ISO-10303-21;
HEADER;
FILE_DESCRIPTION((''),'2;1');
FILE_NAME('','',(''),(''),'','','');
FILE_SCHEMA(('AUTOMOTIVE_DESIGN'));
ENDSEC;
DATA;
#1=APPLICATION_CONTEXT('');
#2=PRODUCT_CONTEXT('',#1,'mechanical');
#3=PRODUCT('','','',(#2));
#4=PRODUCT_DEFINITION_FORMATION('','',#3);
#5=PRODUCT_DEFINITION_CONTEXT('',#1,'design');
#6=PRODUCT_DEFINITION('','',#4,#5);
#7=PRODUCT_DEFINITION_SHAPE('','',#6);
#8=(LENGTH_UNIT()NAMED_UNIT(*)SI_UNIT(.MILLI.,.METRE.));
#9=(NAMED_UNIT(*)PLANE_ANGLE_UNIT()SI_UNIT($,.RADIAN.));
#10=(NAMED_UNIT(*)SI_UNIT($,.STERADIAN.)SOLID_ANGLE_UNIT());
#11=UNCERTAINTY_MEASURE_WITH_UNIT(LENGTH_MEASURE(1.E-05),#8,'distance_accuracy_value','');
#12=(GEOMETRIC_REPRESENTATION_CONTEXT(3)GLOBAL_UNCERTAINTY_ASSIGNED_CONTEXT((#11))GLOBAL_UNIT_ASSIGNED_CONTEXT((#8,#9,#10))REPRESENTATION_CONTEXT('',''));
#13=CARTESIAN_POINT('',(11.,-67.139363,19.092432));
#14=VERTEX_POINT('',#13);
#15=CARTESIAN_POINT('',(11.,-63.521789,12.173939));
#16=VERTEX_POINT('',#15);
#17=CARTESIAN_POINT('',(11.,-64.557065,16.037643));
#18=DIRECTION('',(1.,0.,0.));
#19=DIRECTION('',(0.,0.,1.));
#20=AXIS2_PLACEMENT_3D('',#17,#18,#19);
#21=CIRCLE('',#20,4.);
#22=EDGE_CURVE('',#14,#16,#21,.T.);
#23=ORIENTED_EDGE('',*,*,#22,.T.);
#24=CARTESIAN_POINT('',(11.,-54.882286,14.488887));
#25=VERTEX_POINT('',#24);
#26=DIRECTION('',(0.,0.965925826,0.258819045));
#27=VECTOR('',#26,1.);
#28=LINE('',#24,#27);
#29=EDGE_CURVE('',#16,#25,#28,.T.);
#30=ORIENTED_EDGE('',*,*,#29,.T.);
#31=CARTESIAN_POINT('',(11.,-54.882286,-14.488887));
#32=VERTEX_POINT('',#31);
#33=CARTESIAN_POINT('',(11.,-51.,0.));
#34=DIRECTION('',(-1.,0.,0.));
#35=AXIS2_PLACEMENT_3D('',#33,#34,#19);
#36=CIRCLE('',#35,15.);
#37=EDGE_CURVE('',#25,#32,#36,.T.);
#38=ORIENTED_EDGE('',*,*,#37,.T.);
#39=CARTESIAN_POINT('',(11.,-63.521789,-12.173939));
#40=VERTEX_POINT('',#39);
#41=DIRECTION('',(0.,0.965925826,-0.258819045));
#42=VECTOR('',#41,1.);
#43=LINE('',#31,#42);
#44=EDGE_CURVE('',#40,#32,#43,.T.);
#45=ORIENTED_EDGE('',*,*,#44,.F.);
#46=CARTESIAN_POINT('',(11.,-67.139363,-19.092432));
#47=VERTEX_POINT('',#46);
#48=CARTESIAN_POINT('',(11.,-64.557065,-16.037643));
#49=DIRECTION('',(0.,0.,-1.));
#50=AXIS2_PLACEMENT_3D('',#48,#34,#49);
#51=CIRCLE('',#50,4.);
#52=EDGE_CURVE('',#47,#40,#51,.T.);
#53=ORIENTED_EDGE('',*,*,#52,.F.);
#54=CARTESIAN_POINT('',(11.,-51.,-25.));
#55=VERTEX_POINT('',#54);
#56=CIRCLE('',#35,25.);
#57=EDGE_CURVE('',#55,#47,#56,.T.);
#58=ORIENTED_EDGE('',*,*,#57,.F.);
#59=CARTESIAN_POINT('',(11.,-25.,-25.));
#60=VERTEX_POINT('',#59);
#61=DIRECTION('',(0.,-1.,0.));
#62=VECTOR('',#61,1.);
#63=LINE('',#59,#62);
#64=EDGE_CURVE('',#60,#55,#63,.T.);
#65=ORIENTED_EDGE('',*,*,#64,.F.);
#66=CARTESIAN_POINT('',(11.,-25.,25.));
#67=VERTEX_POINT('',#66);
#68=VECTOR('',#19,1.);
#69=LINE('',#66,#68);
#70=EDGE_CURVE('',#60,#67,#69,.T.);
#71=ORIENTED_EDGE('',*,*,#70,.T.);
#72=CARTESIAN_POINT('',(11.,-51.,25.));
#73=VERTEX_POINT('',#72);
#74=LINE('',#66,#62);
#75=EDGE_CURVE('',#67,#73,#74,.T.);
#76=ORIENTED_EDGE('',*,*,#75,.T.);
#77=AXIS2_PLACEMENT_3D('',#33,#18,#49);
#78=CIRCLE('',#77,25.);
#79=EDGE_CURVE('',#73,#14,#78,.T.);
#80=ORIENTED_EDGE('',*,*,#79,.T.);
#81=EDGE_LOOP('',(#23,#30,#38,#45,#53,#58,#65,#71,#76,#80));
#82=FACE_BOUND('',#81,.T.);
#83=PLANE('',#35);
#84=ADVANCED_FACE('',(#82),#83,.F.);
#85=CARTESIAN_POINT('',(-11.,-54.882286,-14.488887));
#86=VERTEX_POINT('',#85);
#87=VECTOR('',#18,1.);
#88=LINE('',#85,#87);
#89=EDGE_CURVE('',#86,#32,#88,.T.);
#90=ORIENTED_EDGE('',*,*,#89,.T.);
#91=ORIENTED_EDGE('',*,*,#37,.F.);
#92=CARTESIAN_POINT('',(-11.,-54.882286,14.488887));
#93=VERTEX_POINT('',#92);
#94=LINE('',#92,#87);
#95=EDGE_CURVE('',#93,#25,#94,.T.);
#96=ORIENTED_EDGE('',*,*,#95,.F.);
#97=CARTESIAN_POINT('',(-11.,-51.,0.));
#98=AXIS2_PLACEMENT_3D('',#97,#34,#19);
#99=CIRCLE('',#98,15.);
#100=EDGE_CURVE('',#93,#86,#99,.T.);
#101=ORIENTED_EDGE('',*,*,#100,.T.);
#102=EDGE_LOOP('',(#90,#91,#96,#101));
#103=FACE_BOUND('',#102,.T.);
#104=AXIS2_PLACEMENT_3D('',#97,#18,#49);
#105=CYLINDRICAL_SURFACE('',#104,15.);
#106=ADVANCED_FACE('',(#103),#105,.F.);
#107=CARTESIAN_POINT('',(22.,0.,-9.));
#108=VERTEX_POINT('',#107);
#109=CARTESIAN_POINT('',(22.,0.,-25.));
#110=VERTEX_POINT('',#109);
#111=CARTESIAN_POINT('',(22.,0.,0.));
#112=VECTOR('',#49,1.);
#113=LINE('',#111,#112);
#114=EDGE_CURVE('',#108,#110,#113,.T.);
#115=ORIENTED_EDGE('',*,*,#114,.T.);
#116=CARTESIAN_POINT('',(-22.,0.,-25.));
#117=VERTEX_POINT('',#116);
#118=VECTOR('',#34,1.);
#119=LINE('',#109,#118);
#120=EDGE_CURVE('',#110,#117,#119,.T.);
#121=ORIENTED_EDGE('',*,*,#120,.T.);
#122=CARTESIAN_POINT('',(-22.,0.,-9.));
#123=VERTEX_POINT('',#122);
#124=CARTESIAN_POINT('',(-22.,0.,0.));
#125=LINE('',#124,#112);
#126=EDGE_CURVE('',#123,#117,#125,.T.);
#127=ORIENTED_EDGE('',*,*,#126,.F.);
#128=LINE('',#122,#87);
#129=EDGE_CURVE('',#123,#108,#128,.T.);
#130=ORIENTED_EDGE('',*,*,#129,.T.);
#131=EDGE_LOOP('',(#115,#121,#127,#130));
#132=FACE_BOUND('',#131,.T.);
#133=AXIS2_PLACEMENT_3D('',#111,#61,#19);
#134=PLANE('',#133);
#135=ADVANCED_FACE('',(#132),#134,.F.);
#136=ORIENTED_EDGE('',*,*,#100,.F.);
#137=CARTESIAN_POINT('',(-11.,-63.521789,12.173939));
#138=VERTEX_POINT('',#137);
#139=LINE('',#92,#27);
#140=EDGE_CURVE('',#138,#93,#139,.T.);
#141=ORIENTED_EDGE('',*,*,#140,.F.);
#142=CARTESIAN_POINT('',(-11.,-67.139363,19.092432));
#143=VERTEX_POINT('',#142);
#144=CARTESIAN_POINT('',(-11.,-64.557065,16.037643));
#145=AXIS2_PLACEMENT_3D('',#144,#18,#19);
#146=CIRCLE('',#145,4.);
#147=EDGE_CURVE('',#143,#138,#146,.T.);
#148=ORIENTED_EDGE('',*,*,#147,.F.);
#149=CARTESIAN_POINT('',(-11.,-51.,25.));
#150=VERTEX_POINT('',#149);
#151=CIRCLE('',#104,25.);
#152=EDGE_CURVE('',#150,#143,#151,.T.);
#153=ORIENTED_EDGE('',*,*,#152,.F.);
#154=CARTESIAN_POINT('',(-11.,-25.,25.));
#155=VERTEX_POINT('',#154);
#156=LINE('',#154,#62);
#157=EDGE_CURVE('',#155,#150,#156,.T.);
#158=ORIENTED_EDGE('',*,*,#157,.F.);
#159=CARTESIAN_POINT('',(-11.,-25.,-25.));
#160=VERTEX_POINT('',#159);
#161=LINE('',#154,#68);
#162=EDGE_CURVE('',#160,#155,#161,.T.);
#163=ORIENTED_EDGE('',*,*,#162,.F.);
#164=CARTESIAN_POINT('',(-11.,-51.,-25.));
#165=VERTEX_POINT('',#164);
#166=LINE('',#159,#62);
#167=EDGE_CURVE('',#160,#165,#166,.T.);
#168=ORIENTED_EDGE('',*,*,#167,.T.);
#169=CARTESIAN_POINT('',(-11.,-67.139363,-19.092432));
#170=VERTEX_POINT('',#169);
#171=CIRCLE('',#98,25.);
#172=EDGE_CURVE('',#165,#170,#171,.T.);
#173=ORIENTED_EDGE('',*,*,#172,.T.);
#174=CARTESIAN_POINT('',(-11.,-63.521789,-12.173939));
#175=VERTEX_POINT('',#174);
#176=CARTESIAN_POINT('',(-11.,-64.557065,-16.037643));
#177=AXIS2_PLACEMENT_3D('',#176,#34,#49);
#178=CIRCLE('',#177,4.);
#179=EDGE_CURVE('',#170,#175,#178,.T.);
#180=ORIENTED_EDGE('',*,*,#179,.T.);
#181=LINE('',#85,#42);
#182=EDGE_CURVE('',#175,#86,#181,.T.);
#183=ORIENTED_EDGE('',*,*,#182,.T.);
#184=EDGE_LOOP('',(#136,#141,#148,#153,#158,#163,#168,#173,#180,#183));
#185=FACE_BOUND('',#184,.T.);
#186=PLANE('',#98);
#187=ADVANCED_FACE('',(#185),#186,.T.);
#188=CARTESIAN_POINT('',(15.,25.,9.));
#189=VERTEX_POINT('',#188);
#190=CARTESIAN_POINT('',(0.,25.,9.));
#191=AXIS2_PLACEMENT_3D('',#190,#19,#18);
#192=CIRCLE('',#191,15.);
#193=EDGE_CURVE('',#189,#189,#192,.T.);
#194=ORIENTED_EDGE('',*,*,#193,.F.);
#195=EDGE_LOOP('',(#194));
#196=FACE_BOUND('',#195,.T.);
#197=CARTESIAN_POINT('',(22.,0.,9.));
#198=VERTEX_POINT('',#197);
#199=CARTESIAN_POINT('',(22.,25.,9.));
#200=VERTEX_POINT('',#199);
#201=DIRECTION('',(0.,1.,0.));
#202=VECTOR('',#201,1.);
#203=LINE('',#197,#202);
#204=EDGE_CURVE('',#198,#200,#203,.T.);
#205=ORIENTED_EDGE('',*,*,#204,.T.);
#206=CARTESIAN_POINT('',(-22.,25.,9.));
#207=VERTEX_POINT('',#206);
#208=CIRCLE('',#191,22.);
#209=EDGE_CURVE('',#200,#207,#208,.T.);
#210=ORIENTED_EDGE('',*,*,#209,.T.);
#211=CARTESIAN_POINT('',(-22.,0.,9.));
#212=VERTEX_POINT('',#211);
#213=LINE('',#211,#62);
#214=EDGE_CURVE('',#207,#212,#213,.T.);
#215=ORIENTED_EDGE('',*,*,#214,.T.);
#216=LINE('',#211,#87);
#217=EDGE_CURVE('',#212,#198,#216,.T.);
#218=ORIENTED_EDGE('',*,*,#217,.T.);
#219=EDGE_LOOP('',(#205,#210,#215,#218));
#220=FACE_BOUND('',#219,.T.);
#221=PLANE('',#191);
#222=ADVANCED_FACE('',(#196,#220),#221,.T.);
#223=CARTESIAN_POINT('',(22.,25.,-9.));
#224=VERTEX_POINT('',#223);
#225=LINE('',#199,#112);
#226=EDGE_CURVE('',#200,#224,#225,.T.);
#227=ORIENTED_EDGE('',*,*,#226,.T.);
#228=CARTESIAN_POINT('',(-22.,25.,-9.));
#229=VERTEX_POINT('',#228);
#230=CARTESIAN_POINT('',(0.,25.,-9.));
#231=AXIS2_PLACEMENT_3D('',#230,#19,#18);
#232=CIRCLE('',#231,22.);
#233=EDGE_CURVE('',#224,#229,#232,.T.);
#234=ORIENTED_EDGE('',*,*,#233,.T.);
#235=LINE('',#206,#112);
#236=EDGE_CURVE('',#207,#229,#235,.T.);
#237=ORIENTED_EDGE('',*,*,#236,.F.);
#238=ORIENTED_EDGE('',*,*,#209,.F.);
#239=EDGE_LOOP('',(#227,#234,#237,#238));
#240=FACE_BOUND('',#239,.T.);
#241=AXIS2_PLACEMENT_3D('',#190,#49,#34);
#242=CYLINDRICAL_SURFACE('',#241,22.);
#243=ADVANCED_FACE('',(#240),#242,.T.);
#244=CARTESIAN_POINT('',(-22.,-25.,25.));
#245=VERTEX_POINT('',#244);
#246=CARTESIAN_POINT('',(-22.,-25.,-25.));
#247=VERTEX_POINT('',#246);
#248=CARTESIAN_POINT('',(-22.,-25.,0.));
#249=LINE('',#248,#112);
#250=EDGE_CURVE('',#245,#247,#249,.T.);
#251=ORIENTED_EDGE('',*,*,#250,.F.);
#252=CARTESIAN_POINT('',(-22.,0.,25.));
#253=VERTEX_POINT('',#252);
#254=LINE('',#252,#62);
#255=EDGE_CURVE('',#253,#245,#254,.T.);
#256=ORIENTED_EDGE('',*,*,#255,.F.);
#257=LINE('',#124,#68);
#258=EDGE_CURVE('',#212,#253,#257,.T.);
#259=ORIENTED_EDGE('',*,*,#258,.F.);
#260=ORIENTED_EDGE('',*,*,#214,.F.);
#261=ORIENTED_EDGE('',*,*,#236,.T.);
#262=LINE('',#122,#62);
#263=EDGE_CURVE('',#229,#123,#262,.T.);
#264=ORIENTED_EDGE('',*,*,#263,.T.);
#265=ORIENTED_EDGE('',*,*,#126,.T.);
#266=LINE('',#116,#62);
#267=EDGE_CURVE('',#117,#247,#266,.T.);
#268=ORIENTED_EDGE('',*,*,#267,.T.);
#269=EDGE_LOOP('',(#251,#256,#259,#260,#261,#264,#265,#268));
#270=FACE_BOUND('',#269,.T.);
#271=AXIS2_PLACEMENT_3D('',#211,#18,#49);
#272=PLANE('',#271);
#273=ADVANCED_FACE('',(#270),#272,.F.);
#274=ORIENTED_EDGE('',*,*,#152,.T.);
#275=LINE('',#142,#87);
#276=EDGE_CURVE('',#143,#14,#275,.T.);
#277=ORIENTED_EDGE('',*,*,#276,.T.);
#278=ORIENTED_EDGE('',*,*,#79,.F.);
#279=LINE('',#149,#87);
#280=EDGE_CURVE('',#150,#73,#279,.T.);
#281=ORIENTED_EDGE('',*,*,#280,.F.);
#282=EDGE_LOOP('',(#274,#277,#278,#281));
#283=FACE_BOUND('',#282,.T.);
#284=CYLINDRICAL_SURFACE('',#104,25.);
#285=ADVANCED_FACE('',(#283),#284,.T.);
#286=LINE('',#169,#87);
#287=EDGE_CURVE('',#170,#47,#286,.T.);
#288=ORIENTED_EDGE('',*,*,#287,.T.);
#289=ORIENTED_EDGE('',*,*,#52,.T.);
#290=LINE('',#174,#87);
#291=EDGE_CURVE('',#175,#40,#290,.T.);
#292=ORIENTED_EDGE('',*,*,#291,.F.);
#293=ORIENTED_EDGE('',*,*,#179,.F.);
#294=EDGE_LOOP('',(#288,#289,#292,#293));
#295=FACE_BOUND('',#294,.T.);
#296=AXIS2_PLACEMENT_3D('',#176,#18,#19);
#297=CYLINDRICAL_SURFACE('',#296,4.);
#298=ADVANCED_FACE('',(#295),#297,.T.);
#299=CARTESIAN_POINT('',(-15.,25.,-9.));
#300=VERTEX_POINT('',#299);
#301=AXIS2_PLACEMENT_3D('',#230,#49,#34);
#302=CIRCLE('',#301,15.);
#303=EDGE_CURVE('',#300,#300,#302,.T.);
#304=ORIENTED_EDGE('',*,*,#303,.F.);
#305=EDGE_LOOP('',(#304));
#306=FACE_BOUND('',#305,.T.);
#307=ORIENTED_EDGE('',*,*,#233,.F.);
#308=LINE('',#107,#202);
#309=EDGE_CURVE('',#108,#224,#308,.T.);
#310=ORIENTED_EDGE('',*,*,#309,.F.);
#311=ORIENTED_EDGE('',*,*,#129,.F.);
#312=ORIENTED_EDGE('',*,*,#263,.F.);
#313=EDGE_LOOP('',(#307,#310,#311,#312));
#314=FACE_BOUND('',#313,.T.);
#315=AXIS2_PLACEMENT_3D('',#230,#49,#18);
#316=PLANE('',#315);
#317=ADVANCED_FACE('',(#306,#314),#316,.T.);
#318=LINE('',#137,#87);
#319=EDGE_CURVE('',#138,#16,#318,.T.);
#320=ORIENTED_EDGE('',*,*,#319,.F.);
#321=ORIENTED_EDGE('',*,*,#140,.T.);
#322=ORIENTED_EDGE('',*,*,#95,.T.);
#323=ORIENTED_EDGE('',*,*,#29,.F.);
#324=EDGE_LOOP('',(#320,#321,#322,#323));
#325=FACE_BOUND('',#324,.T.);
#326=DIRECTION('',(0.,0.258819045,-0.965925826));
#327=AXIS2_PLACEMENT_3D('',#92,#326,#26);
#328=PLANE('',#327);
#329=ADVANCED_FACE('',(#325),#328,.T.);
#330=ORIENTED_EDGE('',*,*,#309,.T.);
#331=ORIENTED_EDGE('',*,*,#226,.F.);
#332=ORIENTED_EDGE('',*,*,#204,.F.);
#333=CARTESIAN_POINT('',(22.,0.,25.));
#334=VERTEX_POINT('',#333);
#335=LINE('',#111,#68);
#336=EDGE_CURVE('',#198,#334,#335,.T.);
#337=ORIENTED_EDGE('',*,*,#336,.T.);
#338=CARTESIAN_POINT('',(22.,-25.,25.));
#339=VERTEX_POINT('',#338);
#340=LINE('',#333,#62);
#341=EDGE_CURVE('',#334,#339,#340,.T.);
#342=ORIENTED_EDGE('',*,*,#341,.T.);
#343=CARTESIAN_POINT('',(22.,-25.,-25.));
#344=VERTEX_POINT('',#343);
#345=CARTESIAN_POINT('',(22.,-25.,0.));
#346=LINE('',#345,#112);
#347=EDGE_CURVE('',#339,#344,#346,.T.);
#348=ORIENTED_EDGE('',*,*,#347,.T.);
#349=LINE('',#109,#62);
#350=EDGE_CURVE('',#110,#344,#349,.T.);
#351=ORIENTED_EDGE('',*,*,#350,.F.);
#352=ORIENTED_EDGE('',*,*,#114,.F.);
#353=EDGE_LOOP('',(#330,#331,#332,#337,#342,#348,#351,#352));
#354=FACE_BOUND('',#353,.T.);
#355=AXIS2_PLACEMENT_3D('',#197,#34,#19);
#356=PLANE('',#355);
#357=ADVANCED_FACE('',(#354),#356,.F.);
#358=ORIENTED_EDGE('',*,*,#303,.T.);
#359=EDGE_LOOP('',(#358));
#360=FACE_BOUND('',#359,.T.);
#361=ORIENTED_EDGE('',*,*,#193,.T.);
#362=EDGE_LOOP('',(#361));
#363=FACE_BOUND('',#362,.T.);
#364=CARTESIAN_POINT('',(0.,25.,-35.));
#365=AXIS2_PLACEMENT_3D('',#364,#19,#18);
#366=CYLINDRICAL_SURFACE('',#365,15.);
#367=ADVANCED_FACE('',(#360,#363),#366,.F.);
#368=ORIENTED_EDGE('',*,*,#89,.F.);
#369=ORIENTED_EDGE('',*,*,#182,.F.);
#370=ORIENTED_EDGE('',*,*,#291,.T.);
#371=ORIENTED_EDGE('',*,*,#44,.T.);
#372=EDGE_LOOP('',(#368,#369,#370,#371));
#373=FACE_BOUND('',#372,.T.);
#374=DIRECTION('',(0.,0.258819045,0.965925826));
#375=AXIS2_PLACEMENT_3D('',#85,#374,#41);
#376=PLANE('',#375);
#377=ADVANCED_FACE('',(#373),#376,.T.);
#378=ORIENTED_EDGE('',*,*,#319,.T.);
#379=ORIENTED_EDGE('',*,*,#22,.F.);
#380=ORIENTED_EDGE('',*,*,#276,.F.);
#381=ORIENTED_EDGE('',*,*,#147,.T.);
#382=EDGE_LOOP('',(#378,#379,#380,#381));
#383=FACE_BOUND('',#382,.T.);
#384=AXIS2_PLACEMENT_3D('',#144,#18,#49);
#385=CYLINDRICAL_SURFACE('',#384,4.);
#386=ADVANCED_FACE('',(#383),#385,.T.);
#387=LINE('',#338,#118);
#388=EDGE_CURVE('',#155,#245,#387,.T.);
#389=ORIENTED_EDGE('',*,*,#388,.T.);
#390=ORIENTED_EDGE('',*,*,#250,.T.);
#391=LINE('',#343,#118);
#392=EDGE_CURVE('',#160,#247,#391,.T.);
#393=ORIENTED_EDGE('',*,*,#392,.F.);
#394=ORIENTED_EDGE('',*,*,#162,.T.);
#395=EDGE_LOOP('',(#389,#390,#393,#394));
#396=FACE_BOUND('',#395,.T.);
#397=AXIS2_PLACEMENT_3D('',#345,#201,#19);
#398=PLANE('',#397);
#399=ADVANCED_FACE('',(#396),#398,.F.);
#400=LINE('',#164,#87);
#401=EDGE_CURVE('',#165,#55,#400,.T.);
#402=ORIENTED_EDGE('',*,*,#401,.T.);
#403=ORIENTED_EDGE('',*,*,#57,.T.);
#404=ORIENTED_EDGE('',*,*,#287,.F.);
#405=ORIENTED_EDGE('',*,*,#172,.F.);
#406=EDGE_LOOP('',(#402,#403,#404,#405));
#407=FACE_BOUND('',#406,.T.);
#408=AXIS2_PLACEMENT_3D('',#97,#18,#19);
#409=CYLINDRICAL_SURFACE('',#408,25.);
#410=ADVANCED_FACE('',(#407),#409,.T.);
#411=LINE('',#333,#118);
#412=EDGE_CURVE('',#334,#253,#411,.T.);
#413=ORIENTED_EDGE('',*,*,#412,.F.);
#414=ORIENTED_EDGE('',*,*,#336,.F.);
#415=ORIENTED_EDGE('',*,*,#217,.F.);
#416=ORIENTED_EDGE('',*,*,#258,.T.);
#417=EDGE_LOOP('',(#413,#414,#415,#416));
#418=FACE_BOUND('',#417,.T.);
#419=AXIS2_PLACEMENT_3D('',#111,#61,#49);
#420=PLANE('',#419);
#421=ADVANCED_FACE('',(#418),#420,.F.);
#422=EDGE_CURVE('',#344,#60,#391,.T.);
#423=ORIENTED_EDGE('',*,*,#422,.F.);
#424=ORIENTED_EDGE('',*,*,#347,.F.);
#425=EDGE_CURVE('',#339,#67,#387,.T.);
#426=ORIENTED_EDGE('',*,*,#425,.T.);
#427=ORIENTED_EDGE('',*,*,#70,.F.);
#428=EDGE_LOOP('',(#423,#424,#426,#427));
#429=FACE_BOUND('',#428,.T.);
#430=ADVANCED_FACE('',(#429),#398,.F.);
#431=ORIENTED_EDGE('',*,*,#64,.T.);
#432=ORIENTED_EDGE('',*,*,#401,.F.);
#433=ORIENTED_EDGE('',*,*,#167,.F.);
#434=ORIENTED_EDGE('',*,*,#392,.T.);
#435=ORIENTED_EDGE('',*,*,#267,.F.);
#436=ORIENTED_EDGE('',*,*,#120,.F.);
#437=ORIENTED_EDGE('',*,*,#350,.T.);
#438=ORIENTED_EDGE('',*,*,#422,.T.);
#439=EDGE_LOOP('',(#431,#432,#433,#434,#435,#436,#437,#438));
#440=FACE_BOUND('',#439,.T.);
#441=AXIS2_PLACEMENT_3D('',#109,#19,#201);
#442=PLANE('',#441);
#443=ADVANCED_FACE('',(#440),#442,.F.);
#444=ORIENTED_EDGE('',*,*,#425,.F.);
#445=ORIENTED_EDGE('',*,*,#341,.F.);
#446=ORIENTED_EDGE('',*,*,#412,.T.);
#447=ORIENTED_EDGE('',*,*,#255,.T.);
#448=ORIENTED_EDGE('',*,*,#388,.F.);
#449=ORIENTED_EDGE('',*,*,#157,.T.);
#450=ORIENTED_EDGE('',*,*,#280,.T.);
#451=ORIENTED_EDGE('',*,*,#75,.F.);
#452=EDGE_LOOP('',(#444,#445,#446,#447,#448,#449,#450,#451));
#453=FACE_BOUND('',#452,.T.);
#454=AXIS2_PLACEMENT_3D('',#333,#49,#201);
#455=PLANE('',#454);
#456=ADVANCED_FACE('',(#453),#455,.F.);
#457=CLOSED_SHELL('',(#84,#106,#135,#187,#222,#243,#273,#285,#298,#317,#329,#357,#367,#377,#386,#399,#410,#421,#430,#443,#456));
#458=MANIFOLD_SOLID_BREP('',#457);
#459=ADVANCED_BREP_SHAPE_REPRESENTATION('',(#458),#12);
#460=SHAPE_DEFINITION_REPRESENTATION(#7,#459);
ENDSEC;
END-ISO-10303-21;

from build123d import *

# Parameters (mm, degrees)
BOSS_EXTRUDE2_DEPTH = 9
BOSS_EXTRUDE3_DEPTH = 22
BOSS_EXTRUDE5_START = -11
BOSS_EXTRUDE5_DEPTH = 22
SKETCH4_R           = 15
CUT_EXTRUDE1_DEPTH  = 44


with BuildPart() as part:
    # Sketch1 → Boss-Extrude2 (new body)
    with BuildSketch(Plane(origin=(0, 0, 0), x_dir=(0, 1, 0), z_dir=(0, 0, 1))):
        with BuildLine():
            Line((0, 22), (25, 22))
            ThreePointArc((25, 22), (47, 0), (25, -22))
            Line((25, -22), (0, -22))
            Line((0, -22), (0, 22))
        make_face()
    extrude(amount=BOSS_EXTRUDE2_DEPTH)

    # Sketch2 → Boss-Extrude3 (add, symmetric)
    with BuildSketch(Plane.YZ):
        Polygon((25, 0), (25, 9), (0, 9), (0, 25), (-25, 25), (-25, 0), (0, 0), align=None)
    extrude(amount=BOSS_EXTRUDE3_DEPTH, both=True)

    # Sketch3 → Boss-Extrude5 (add)
    with BuildSketch(Plane.YZ.offset(22).offset(BOSS_EXTRUDE5_START)):
        with BuildLine():
            Line((-25, 25), (-51, 25))
            ThreePointArc((-51, 25), (-59.593288161, 23.476699056), (-67.139363205, 19.092431886))
            ThreePointArc((-67.139363205, 19.092431886), (-68.101737646, 14.184187501), (-63.521788912, 12.173939479))
            Line((-63.521788912, 12.173939479), (-54.882285677, 14.488887394))
            ThreePointArc((-54.882285677, 14.488887394), (-41.868578565, 11.900300104), (-36, 0))
            Line((-36, 0), (-25, 0))
            Line((-25, 0), (-25, 25))
        make_face()
    extrude(amount=-BOSS_EXTRUDE5_DEPTH)

    # Mirror1: part across plane


with BuildPart() as part_1:
    add(part.part)
    add(part.part.mirror(Plane(origin=(0, 25, 0), x_dir=(1, 0, 0), z_dir=(0, 0, 1))))

    # Sketch4 → Cut-Extrude1 (cut)
    with BuildSketch(Plane.XY.offset(9)):
        with Locations((0, 25)):
            Circle(SKETCH4_R)
    extrude(amount=-CUT_EXTRUDE1_DEPTH, mode=Mode.SUBTRACT)


solid = part_1.part
